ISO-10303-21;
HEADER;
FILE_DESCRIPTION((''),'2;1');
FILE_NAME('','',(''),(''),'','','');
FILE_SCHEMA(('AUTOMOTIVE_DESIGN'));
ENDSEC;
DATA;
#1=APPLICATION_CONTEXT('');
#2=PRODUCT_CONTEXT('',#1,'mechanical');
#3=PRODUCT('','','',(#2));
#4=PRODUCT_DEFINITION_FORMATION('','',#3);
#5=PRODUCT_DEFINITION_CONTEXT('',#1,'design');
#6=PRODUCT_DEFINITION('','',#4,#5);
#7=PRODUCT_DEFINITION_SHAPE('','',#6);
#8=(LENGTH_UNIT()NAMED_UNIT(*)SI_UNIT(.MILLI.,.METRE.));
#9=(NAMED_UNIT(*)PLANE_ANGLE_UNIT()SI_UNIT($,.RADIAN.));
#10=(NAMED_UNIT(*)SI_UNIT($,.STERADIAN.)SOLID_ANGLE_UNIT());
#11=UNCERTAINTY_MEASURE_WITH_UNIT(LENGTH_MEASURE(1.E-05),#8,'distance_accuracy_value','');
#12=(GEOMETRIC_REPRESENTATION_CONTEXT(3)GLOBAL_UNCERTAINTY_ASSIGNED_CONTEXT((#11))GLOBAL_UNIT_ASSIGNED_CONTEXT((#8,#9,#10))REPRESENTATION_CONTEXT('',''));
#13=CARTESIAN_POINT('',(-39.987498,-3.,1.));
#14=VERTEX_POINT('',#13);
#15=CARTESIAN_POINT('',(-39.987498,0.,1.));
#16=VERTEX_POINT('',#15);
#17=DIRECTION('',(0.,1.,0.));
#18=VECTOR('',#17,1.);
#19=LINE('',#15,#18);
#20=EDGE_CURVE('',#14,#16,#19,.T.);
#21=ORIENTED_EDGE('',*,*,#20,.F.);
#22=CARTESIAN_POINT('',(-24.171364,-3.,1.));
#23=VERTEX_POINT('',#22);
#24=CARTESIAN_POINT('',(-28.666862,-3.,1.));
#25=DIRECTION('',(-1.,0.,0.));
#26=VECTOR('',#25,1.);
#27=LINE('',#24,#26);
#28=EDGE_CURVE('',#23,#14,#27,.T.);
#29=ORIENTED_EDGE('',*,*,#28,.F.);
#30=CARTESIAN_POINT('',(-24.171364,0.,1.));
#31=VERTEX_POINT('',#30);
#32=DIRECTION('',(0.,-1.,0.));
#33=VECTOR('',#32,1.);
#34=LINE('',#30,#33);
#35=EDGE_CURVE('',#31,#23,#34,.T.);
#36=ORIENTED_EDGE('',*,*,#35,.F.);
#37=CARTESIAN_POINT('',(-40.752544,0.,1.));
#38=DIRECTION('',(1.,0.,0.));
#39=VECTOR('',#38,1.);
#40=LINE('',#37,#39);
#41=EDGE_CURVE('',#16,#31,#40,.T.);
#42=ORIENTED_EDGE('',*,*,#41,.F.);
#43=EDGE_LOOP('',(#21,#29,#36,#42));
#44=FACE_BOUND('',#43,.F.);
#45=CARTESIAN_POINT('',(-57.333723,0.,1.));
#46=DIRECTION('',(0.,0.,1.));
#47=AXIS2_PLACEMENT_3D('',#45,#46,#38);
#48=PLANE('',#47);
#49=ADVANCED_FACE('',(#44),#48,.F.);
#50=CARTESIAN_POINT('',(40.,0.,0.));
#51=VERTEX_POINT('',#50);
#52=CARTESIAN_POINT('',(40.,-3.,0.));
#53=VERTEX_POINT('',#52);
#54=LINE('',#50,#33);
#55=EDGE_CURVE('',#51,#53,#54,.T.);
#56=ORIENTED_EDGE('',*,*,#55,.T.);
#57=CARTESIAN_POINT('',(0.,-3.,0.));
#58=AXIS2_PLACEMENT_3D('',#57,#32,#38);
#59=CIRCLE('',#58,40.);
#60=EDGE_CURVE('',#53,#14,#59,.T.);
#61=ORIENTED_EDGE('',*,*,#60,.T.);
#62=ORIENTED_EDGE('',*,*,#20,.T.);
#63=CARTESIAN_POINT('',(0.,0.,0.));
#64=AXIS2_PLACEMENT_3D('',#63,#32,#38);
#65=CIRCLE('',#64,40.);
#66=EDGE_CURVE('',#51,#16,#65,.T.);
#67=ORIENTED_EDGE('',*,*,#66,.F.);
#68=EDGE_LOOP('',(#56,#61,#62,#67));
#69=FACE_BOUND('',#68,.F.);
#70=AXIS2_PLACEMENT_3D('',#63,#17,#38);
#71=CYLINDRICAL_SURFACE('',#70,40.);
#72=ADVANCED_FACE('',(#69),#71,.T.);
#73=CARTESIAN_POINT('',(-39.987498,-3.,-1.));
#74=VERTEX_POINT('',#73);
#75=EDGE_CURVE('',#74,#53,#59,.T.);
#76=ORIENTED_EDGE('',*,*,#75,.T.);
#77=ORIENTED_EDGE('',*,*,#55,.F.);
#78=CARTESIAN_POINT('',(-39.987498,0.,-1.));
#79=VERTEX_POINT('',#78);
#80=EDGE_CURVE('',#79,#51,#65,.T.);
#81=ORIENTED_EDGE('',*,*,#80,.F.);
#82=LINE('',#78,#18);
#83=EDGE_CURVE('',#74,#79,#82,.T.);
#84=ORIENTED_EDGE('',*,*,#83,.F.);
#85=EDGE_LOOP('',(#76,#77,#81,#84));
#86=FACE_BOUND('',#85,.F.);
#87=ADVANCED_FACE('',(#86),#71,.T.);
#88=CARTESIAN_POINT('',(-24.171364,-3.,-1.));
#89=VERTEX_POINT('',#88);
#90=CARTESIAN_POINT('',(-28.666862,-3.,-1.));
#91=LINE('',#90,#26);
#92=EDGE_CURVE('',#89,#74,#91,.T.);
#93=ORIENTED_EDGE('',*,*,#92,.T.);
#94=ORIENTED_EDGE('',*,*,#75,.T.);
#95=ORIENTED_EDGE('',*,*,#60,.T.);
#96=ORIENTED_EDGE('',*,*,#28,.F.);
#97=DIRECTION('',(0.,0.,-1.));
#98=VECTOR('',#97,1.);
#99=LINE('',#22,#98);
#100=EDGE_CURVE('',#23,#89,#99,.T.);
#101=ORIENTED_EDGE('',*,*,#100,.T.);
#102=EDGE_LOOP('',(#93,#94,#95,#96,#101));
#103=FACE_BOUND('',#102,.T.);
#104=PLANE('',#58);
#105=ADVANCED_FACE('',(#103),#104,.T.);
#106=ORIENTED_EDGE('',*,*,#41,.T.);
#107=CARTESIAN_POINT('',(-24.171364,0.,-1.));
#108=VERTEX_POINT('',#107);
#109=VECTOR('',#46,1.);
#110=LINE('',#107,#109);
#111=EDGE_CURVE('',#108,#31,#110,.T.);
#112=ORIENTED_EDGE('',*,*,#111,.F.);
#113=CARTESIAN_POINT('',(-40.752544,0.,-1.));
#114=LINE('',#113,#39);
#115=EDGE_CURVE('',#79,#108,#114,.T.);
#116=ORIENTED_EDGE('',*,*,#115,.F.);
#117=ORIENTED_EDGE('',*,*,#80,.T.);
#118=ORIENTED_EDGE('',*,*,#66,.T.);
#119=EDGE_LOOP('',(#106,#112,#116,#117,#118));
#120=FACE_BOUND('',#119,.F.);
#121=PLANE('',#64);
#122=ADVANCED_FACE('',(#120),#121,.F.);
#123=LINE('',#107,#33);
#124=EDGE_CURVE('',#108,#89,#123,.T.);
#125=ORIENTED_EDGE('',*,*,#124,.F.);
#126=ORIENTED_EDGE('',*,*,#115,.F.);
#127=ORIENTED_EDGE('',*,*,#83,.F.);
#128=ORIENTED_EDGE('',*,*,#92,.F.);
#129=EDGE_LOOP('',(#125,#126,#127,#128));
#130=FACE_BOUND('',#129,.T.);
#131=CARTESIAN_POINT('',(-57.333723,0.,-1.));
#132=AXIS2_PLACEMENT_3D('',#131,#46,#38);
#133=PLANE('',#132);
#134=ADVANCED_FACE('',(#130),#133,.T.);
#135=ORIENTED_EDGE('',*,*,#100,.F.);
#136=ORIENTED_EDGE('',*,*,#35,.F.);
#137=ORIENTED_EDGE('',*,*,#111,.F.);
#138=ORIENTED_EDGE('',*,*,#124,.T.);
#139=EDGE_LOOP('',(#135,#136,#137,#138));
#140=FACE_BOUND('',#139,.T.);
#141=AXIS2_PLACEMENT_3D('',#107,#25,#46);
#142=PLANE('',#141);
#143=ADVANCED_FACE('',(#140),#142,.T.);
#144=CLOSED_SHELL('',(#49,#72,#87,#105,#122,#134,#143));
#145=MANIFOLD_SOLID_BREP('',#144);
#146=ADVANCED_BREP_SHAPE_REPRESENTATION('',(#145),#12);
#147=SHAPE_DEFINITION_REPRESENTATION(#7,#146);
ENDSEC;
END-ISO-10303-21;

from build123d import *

# Parameters (mm, degrees)
F0_R     = 40
F1_DEPTH = 3
F2_W     = 33.162359
F2_H     = 1
F3_DEPTH = 24.9
F4_DEPTH = 25


with BuildPart() as f1:
    # F0 (on Front) → F1 (new body)
    with BuildSketch(Plane.XZ):
        Circle(F0_R)
    extrude(amount=F1_DEPTH)

    # F2 (on Front) → F3 (cut)
    with BuildSketch(Plane.XZ):
        with Locations((-40.752544, 0.5)):
            Rectangle(F2_W, F2_H)
    extrude(amount=F3_DEPTH, mode=Mode.SUBTRACT)

    # F2 (on Front) → F4 (cut)
    with BuildSketch(Plane.XZ):
        with Locations((-40.752544, 0.5)):
            Rectangle(F2_W, F2_H)
        with Locations((-40.752544, -0.5)):
            Rectangle(F2_W, F2_H)
    extrude(amount=F4_DEPTH, mode=Mode.SUBTRACT)


solid = f1.part
